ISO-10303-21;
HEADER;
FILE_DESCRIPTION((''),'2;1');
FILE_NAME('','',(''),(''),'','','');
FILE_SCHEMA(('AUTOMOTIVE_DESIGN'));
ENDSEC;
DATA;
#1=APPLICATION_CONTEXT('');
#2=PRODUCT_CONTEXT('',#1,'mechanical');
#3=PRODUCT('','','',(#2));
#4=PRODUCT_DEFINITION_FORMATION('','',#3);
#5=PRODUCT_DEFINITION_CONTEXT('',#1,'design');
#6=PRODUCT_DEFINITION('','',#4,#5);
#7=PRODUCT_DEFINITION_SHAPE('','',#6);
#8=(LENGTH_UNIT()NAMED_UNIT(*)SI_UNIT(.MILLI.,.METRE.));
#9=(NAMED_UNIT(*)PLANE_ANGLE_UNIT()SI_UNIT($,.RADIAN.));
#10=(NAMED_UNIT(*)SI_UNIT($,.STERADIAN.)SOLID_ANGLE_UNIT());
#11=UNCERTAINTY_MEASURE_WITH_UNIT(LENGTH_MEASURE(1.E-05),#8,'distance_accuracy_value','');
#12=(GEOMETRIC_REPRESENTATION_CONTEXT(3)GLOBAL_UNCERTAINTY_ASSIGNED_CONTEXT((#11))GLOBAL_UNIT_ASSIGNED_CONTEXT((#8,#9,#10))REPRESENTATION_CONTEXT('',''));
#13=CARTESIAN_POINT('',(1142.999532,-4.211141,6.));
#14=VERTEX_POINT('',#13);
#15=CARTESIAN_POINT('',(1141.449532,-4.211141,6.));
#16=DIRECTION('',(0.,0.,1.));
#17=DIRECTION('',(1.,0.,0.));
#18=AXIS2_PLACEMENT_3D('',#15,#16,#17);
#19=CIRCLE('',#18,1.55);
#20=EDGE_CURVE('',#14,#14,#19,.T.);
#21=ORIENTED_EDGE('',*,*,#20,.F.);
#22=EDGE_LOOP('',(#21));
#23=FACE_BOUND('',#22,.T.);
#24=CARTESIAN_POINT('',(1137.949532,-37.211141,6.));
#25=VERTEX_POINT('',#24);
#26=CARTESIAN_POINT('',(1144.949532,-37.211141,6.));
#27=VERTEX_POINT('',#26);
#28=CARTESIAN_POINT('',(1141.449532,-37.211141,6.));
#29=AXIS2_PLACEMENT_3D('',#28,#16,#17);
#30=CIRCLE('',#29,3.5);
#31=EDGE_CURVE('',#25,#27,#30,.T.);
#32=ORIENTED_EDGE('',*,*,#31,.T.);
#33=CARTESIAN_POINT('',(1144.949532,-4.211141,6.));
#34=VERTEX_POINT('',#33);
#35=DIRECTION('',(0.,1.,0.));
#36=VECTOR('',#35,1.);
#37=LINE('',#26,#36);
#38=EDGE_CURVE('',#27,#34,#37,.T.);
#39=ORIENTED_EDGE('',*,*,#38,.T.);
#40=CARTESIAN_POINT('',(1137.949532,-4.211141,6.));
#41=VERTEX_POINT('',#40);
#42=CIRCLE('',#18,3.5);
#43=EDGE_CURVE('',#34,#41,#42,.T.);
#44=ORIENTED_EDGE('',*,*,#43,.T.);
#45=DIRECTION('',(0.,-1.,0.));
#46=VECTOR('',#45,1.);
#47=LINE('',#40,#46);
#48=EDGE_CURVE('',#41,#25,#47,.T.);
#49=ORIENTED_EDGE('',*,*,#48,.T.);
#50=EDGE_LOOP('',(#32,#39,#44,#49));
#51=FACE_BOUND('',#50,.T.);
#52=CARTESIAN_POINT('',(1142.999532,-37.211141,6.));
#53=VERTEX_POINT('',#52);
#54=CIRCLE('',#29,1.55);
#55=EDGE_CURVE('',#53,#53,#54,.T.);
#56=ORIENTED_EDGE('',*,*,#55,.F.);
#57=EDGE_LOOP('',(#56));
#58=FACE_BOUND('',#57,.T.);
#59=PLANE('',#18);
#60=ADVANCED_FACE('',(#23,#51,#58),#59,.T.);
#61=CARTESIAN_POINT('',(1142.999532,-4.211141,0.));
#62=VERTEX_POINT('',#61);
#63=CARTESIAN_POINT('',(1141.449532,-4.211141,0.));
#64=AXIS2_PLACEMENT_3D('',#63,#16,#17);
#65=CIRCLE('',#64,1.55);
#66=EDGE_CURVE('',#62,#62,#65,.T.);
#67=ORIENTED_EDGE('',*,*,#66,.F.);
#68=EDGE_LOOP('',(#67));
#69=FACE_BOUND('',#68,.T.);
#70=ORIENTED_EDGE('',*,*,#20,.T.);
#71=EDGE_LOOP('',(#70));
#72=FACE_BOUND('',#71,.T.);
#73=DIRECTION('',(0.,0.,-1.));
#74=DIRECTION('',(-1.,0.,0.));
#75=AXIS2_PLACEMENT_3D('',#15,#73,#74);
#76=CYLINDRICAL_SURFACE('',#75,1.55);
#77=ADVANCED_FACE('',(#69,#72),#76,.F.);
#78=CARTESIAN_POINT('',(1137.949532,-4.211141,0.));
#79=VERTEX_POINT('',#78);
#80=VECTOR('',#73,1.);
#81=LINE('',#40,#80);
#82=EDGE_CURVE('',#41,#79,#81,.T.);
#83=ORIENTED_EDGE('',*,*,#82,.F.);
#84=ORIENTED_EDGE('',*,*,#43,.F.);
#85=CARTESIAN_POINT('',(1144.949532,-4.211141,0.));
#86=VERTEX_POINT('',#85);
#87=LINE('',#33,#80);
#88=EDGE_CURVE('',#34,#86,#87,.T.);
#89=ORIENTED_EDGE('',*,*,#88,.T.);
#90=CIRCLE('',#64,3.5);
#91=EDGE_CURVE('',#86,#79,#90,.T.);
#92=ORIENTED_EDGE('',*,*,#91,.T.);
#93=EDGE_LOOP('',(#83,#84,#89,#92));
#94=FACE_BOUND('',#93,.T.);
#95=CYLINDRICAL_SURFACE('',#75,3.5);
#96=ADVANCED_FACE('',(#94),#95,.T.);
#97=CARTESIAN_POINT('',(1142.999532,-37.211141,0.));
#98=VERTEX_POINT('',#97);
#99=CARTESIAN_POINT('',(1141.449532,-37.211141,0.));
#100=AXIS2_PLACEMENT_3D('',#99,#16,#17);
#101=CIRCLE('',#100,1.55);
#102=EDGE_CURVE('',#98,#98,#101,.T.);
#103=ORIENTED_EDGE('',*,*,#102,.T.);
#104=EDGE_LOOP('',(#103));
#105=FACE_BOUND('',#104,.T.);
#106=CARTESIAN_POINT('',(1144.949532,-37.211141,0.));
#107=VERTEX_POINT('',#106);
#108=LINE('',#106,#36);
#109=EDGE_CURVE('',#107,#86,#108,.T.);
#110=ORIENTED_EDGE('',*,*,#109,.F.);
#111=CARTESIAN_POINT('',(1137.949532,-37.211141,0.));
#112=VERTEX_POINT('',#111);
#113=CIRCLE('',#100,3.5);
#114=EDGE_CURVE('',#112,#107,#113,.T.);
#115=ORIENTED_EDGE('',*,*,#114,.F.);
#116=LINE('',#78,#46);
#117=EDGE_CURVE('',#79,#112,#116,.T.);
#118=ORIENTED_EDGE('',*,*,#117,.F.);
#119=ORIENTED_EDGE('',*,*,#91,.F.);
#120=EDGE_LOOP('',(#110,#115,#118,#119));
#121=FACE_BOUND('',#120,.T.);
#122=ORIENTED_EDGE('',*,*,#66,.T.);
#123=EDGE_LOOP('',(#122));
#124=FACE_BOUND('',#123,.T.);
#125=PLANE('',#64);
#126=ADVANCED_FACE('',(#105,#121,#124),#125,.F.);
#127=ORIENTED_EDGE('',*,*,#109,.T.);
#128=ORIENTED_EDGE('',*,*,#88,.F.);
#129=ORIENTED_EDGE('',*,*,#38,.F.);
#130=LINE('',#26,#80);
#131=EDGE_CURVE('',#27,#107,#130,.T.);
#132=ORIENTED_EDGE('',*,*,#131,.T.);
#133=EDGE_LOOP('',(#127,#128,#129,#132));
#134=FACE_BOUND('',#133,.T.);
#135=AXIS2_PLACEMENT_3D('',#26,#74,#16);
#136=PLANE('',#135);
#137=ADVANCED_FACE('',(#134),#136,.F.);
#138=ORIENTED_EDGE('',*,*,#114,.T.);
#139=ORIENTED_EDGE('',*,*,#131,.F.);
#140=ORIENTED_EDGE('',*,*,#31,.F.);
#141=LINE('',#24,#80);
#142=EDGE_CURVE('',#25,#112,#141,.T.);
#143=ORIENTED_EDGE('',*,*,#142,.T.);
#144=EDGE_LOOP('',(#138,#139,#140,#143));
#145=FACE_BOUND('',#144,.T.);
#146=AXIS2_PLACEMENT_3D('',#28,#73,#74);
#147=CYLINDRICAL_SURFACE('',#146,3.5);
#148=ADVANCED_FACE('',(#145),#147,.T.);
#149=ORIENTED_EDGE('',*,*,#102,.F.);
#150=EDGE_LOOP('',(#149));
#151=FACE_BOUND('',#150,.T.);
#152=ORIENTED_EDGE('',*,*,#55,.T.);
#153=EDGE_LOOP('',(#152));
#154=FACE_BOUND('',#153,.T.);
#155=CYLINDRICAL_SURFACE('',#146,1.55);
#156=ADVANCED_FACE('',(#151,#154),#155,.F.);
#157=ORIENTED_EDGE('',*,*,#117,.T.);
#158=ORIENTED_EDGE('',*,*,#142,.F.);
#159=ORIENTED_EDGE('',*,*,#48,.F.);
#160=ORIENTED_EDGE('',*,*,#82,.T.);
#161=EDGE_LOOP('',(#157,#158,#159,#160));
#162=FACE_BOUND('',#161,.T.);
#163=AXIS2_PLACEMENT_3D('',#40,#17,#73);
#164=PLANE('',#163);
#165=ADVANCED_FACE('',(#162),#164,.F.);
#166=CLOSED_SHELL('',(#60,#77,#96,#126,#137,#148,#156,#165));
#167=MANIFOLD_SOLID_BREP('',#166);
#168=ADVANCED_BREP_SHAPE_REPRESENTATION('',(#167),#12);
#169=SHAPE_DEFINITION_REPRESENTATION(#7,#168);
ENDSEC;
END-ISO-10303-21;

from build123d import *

# Parameters (mm, degrees)
SZKIC1_R                    = 1.55
DODANIE_WYCI_GNI_CIE1_DEPTH = 6


with BuildPart() as part:
    # Szkic1 → Dodanie-wyciągnięcie1 (new body)
    with BuildSketch(Plane.XY):
        with BuildLine():
            Line((1144.949531633, -37.211141118), (1144.949531633, -4.211141118))
            ThreePointArc((1144.949531633, -4.211141118), (1141.449531633, -0.711141118), (1137.949531633, -4.211141118))
            Line((1137.949531633, -4.211141118), (1137.949531633, -37.211141118))
            ThreePointArc((1137.949531633, -37.211141118), (1141.449531633, -40.711141118), (1144.949531633, -37.211141118))
        make_face()
        with Locations((1141.449531633, -4.211141118)):
            Circle(SZKIC1_R, mode=Mode.SUBTRACT)
        with Locations((1141.449531633, -37.211141118)):
            Circle(SZKIC1_R, mode=Mode.SUBTRACT)
    extrude(amount=DODANIE_WYCI_GNI_CIE1_DEPTH)


solid = part.part
